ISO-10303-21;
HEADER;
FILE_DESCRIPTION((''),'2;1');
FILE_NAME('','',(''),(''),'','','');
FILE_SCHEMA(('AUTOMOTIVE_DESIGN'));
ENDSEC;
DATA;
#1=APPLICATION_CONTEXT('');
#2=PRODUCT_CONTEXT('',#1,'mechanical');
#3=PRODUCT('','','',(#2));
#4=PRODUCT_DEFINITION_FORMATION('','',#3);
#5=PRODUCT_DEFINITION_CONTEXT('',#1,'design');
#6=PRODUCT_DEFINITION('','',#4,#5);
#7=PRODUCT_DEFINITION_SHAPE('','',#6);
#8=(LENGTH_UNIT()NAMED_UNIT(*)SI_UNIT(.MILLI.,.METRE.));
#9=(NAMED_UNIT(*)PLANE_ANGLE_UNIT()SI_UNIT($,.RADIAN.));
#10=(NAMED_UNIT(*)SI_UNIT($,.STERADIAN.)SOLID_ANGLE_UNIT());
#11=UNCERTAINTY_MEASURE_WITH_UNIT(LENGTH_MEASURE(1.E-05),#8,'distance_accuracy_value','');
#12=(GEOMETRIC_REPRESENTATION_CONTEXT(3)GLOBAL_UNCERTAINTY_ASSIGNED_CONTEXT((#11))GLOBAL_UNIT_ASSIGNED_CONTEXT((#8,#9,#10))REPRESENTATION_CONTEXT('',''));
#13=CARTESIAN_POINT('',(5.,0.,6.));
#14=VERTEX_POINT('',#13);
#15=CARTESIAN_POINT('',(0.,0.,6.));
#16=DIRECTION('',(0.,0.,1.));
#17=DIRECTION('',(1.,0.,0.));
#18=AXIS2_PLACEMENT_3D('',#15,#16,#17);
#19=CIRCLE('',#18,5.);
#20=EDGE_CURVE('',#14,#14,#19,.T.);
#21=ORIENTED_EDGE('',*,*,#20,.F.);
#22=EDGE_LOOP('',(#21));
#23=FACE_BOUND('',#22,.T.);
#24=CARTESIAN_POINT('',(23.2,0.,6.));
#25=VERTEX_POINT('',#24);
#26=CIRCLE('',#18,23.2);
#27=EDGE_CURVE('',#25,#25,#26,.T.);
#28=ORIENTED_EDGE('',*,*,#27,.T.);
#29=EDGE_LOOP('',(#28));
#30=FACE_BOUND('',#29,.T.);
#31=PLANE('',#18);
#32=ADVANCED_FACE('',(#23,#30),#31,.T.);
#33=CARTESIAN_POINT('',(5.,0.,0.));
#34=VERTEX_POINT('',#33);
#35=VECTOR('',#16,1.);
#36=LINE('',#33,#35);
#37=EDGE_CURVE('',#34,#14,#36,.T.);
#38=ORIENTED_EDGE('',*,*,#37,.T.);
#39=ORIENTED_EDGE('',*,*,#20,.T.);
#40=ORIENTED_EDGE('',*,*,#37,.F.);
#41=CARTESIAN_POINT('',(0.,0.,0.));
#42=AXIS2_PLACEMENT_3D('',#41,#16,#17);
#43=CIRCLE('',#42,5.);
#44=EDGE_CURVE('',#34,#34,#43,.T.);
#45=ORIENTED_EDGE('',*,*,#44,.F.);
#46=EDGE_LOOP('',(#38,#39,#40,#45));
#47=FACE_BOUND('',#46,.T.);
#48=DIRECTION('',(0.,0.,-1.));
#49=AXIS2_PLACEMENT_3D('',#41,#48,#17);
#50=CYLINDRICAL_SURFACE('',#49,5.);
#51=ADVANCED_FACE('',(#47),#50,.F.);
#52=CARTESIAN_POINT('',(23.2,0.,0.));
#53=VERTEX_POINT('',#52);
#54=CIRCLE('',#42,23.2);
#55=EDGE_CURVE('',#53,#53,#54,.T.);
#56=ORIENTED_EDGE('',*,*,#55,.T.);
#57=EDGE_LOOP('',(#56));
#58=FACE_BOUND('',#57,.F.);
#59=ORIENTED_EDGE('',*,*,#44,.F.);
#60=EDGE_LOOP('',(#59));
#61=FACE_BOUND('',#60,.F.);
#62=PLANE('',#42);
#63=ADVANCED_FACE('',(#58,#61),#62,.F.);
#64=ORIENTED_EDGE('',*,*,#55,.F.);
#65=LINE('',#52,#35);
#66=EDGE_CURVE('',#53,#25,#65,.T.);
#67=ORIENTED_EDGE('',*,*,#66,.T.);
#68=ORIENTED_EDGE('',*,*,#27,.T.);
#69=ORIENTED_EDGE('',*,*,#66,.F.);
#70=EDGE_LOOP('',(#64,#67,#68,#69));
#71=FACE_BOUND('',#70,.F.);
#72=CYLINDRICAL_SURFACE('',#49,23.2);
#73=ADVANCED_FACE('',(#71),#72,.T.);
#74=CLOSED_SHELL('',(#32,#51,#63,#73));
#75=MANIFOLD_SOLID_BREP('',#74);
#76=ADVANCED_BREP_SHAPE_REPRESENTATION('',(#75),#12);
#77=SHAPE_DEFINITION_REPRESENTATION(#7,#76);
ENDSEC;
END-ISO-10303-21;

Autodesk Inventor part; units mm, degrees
ref_plane "YZ Plane" through (0, 0, 0) normal (1, 0, 0) x (0, 1, 0)
ref_plane "XZ Plane" through (0, 0, 0) normal (0, 1, 0) x (-1, 0, 0)
ref_plane "XY Plane" through (0, 0, 0) normal (0, 0, 1) x (1, 0, 0)
sketch "Эскиз1" plane through (0, 0, 0) normal (0, 0, 1) x (1, 0, 0)
  circle A0 centre (0, 0) radius 5
  circle A1 centre (0, 0) radius 23.2
  dimension "d0" = 10
  dimension "d1" = 46.4
extrude "Выдавливание1" add sketch "Эскиз1" along normal blind 6
properties part number "Бортик внутренний"
